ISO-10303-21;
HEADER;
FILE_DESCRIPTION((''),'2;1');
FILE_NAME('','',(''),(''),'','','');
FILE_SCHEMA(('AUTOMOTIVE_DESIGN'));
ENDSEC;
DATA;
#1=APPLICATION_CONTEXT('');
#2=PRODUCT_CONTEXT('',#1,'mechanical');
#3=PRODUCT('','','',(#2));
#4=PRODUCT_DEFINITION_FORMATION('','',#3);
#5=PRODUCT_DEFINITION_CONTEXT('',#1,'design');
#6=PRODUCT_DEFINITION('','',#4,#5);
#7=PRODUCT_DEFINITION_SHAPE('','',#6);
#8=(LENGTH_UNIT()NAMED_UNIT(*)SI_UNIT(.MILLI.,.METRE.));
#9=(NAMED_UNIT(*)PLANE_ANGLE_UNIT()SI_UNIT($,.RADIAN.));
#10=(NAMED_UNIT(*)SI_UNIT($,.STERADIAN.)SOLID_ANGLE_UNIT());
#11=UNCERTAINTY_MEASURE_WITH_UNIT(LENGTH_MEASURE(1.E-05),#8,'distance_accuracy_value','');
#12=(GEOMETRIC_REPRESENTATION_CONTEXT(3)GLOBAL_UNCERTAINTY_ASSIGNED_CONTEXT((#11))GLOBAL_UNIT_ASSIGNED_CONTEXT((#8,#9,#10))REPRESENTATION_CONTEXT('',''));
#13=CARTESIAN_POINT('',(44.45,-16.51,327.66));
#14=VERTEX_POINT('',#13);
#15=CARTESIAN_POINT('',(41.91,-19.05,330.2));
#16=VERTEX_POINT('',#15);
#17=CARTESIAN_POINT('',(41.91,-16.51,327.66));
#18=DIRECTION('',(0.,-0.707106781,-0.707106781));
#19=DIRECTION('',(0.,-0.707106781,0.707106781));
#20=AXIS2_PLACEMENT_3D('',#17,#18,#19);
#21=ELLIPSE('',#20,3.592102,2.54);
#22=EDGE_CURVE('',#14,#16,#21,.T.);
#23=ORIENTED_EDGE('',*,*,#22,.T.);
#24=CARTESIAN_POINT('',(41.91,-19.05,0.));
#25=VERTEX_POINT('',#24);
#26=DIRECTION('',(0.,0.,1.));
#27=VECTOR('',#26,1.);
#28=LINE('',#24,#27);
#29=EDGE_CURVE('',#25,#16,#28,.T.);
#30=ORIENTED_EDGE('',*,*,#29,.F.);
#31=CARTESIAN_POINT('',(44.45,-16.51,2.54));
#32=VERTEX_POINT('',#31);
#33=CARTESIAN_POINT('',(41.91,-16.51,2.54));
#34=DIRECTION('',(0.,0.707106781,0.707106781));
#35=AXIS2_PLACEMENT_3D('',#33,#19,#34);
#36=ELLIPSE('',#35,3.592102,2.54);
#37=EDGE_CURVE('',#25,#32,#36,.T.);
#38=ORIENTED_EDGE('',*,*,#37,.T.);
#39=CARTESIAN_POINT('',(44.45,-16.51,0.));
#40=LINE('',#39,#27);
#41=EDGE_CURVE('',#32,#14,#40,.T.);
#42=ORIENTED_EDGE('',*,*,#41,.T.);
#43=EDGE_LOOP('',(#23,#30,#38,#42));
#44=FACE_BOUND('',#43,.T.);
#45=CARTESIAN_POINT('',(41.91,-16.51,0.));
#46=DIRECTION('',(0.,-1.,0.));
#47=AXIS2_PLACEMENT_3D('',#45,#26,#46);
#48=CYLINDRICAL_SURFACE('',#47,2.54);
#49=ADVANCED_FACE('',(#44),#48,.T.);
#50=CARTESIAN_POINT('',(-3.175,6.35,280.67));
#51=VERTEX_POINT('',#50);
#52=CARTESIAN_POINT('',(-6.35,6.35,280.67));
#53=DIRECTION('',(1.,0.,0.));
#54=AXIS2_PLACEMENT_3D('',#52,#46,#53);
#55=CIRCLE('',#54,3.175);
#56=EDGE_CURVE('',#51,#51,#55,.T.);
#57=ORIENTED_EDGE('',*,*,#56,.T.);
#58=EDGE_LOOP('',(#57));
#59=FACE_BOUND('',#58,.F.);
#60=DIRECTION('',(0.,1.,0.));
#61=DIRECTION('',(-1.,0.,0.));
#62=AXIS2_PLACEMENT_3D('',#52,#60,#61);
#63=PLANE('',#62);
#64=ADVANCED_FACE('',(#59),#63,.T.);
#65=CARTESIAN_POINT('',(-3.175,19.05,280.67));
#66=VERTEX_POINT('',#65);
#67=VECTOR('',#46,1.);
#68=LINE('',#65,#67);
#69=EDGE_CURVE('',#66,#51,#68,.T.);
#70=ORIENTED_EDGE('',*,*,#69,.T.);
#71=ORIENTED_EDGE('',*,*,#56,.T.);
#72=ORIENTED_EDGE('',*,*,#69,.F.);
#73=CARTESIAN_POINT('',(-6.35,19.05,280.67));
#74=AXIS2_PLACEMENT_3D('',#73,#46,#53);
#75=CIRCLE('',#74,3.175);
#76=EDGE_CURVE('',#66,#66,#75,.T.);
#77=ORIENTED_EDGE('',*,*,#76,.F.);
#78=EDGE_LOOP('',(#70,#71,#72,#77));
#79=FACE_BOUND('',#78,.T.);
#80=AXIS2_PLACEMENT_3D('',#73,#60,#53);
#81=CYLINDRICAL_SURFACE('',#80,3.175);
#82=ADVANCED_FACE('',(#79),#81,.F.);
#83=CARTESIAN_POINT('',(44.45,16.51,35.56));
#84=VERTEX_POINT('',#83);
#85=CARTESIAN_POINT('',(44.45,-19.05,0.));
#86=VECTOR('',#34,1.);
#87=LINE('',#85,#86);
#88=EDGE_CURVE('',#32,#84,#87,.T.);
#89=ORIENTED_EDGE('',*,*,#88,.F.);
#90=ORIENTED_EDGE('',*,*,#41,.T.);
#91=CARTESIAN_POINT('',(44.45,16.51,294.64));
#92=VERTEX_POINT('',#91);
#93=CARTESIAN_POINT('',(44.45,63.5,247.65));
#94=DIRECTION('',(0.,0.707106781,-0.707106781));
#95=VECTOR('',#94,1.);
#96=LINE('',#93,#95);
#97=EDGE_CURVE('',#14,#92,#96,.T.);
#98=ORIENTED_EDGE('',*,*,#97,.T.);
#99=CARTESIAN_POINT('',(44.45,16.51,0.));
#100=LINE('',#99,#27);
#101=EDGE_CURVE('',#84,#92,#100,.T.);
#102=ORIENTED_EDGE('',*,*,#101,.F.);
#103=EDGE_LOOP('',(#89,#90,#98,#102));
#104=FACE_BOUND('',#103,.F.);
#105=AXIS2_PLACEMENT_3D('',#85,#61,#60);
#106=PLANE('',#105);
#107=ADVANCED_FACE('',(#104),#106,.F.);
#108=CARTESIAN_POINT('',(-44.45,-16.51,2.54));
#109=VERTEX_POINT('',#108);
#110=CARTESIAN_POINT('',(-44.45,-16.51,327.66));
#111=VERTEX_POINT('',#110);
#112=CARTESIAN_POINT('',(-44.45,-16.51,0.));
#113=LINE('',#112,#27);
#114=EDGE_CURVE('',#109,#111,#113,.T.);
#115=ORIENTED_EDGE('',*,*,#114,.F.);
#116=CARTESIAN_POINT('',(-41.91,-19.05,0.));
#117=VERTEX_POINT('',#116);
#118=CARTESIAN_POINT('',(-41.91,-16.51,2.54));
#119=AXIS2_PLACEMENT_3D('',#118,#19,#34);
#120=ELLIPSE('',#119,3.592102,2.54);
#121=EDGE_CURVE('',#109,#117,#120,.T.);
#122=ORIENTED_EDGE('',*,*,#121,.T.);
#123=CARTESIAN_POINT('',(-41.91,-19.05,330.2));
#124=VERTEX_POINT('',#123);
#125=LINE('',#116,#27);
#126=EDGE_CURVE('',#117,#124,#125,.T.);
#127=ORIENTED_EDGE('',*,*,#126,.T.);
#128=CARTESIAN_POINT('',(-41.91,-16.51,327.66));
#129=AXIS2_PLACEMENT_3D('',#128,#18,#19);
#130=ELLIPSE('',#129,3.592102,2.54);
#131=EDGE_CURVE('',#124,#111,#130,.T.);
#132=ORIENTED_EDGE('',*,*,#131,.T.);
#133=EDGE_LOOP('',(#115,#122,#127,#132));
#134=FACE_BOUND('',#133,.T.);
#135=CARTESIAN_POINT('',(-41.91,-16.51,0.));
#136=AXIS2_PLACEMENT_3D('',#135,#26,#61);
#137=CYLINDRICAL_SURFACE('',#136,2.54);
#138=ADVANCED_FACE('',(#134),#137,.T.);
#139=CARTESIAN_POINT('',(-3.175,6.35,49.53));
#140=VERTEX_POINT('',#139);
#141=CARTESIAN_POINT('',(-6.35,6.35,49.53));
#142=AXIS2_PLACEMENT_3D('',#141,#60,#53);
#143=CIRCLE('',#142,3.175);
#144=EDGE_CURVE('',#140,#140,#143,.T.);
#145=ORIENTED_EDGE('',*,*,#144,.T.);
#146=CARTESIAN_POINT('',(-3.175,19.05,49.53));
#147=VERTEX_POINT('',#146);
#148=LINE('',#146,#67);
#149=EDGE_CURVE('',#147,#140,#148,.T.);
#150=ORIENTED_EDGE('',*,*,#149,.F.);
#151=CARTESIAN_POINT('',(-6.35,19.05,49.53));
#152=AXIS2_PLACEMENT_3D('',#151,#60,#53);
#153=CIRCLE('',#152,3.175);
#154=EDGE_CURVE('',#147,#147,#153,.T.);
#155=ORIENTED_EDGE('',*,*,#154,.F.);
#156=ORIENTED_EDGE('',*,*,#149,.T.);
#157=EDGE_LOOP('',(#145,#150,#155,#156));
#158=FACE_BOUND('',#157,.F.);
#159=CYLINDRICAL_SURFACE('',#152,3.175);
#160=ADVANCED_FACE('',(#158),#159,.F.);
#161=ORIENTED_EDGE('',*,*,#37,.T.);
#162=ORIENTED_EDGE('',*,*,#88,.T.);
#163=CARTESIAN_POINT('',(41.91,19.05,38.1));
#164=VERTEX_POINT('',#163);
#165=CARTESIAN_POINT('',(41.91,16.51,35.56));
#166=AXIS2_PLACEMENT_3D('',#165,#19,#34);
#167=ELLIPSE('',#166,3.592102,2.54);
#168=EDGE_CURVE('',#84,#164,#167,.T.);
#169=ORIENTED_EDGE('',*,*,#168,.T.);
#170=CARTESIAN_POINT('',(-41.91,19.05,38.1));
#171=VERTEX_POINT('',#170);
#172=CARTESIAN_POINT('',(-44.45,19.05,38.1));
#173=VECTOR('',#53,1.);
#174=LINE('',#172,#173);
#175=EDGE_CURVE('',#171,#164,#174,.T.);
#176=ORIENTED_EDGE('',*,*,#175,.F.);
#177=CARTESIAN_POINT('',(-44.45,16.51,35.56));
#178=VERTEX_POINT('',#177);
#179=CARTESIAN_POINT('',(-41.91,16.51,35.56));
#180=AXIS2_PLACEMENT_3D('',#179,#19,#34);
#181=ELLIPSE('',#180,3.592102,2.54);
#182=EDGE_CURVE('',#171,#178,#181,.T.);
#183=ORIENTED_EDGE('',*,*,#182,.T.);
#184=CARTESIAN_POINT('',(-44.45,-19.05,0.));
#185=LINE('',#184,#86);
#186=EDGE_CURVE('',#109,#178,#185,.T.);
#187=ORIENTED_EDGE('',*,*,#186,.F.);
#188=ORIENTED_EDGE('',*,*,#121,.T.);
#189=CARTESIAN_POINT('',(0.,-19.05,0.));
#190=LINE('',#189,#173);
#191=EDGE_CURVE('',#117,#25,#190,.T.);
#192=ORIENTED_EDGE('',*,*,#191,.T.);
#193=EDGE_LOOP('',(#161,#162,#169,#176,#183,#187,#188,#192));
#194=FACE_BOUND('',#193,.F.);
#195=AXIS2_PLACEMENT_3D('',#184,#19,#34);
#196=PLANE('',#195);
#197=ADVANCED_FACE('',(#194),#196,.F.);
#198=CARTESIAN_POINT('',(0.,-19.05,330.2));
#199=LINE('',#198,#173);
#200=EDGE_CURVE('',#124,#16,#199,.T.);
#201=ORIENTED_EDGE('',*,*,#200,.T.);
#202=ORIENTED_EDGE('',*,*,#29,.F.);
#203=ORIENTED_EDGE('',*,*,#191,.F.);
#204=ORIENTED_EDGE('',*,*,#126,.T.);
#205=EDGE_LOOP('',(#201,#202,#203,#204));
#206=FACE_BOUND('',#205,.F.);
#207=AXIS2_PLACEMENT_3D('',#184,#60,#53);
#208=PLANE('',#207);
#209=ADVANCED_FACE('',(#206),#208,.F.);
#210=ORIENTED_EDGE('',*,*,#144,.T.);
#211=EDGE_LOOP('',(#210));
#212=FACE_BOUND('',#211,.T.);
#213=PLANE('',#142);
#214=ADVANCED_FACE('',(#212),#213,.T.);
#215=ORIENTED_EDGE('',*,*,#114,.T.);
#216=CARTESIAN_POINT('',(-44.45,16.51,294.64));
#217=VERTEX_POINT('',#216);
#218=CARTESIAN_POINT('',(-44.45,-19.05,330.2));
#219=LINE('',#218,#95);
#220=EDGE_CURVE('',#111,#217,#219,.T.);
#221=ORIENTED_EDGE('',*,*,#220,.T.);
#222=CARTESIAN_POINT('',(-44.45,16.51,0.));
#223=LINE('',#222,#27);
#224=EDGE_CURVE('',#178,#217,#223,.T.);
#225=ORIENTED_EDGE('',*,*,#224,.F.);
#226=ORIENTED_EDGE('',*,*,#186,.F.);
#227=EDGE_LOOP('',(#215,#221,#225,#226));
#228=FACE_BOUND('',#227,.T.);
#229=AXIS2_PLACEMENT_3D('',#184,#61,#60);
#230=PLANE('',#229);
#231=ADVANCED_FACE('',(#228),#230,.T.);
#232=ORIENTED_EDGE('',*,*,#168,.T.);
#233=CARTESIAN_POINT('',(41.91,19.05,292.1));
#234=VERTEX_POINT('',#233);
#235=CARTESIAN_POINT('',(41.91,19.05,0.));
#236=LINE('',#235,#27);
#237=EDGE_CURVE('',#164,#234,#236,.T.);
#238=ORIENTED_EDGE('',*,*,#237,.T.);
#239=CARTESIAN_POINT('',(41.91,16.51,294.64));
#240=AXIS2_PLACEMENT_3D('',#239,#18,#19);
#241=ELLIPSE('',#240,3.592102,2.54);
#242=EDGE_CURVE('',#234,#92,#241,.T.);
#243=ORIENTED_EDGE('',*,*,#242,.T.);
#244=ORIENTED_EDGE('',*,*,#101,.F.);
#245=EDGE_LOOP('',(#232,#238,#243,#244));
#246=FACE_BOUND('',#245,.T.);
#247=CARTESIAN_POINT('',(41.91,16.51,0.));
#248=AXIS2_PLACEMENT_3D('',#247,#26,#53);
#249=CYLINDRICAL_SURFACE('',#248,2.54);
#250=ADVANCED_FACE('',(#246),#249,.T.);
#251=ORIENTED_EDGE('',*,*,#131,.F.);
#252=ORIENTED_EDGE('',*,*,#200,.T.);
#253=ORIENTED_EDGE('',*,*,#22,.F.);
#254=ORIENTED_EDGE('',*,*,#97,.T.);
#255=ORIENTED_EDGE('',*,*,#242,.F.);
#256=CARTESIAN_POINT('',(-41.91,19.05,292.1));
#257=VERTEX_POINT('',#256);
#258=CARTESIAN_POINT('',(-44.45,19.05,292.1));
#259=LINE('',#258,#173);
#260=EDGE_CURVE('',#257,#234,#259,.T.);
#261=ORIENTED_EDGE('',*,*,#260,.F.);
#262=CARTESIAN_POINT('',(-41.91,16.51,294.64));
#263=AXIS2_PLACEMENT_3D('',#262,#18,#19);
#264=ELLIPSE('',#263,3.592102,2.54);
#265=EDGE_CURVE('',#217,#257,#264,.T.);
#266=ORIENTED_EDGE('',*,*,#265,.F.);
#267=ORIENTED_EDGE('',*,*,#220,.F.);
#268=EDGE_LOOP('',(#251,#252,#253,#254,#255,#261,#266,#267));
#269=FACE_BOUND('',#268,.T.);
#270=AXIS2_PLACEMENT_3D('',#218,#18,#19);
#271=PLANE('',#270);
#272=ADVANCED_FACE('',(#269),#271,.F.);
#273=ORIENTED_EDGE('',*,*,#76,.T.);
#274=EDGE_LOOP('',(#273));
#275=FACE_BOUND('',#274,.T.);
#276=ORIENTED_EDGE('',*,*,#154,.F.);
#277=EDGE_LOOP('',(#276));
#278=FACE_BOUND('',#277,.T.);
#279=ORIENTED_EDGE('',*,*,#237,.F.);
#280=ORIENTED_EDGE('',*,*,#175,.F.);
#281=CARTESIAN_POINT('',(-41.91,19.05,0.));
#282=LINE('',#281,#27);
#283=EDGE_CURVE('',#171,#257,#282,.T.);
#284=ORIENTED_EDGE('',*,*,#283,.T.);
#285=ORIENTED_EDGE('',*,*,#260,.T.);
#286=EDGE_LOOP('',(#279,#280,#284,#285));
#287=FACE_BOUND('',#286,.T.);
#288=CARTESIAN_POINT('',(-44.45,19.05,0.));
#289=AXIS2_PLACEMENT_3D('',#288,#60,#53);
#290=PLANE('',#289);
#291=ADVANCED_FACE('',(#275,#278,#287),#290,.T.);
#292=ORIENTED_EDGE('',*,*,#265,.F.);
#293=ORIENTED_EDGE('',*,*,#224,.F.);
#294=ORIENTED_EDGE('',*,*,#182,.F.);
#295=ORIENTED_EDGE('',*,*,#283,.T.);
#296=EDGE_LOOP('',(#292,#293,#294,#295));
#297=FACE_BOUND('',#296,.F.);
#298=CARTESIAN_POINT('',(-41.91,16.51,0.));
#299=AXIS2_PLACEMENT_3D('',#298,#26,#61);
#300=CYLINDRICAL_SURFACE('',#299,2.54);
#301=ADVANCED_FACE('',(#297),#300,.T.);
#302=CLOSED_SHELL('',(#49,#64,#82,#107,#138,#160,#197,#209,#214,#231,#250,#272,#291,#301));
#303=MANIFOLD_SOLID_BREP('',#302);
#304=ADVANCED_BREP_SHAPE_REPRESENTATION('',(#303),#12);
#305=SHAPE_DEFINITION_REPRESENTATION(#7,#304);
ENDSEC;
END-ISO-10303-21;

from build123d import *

# Parameters (mm, degrees)
SKETCH1_W           = 88.9
SKETCH1_H           = 38.1
BOSS_EXTRUDE1_DEPTH = 330.2
FILLET1_R           = 2.54
CUT_EXTRUDE1_DEPTH  = 406.4
SKETCH3_R           = 3.175
CUT_EXTRUDE2_DEPTH  = 12.7


with BuildPart() as part:
    # Sketch1 → Boss-Extrude1 (new body)
    with BuildSketch(Plane.XY):
        Rectangle(SKETCH1_W, SKETCH1_H)
    extrude(amount=BOSS_EXTRUDE1_DEPTH)

    # Fillet1
    fillet1_edges = [part.edges().sort_by_distance(p)[0] for p in [
        (44.45, -19.05, 165.1),
        (-44.45, -19.05, 165.1),
        (-44.45, 19.05, 165.1),
        (44.45, 19.05, 165.1),
    ]]
    fillet(fillet1_edges, radius=FILLET1_R)

    # Sketch2 → Cut-Extrude1 (cut)
    with BuildSketch(Plane.ZY.offset(44.45)):
        Polygon((0, 19.05), (0, -19.05), (38.1, 19.05), align=None)
    cut_extrude1 = extrude(amount=-CUT_EXTRUDE1_DEPTH, mode=Mode.SUBTRACT)

    # Mirror1: Cut-Extrude1 across plane
    add(cut_extrude1.mirror(Plane.XY.offset(165.1)), mode=Mode.SUBTRACT)

    # Sketch3 → Cut-Extrude2 (cut)
    with BuildSketch(Plane(origin=(0, 19.05, 0), x_dir=(1, 0, 0), z_dir=(0, 1, 0))):
        with Locations((-6.35, -49.53)):
            Circle(SKETCH3_R)
    cut_extrude2 = extrude(amount=-CUT_EXTRUDE2_DEPTH, mode=Mode.SUBTRACT)

    # Mirror4: Cut-Extrude2 across plane
    add(cut_extrude2.mirror(Plane.XY.offset(165.1)), mode=Mode.SUBTRACT)


solid = part.part
